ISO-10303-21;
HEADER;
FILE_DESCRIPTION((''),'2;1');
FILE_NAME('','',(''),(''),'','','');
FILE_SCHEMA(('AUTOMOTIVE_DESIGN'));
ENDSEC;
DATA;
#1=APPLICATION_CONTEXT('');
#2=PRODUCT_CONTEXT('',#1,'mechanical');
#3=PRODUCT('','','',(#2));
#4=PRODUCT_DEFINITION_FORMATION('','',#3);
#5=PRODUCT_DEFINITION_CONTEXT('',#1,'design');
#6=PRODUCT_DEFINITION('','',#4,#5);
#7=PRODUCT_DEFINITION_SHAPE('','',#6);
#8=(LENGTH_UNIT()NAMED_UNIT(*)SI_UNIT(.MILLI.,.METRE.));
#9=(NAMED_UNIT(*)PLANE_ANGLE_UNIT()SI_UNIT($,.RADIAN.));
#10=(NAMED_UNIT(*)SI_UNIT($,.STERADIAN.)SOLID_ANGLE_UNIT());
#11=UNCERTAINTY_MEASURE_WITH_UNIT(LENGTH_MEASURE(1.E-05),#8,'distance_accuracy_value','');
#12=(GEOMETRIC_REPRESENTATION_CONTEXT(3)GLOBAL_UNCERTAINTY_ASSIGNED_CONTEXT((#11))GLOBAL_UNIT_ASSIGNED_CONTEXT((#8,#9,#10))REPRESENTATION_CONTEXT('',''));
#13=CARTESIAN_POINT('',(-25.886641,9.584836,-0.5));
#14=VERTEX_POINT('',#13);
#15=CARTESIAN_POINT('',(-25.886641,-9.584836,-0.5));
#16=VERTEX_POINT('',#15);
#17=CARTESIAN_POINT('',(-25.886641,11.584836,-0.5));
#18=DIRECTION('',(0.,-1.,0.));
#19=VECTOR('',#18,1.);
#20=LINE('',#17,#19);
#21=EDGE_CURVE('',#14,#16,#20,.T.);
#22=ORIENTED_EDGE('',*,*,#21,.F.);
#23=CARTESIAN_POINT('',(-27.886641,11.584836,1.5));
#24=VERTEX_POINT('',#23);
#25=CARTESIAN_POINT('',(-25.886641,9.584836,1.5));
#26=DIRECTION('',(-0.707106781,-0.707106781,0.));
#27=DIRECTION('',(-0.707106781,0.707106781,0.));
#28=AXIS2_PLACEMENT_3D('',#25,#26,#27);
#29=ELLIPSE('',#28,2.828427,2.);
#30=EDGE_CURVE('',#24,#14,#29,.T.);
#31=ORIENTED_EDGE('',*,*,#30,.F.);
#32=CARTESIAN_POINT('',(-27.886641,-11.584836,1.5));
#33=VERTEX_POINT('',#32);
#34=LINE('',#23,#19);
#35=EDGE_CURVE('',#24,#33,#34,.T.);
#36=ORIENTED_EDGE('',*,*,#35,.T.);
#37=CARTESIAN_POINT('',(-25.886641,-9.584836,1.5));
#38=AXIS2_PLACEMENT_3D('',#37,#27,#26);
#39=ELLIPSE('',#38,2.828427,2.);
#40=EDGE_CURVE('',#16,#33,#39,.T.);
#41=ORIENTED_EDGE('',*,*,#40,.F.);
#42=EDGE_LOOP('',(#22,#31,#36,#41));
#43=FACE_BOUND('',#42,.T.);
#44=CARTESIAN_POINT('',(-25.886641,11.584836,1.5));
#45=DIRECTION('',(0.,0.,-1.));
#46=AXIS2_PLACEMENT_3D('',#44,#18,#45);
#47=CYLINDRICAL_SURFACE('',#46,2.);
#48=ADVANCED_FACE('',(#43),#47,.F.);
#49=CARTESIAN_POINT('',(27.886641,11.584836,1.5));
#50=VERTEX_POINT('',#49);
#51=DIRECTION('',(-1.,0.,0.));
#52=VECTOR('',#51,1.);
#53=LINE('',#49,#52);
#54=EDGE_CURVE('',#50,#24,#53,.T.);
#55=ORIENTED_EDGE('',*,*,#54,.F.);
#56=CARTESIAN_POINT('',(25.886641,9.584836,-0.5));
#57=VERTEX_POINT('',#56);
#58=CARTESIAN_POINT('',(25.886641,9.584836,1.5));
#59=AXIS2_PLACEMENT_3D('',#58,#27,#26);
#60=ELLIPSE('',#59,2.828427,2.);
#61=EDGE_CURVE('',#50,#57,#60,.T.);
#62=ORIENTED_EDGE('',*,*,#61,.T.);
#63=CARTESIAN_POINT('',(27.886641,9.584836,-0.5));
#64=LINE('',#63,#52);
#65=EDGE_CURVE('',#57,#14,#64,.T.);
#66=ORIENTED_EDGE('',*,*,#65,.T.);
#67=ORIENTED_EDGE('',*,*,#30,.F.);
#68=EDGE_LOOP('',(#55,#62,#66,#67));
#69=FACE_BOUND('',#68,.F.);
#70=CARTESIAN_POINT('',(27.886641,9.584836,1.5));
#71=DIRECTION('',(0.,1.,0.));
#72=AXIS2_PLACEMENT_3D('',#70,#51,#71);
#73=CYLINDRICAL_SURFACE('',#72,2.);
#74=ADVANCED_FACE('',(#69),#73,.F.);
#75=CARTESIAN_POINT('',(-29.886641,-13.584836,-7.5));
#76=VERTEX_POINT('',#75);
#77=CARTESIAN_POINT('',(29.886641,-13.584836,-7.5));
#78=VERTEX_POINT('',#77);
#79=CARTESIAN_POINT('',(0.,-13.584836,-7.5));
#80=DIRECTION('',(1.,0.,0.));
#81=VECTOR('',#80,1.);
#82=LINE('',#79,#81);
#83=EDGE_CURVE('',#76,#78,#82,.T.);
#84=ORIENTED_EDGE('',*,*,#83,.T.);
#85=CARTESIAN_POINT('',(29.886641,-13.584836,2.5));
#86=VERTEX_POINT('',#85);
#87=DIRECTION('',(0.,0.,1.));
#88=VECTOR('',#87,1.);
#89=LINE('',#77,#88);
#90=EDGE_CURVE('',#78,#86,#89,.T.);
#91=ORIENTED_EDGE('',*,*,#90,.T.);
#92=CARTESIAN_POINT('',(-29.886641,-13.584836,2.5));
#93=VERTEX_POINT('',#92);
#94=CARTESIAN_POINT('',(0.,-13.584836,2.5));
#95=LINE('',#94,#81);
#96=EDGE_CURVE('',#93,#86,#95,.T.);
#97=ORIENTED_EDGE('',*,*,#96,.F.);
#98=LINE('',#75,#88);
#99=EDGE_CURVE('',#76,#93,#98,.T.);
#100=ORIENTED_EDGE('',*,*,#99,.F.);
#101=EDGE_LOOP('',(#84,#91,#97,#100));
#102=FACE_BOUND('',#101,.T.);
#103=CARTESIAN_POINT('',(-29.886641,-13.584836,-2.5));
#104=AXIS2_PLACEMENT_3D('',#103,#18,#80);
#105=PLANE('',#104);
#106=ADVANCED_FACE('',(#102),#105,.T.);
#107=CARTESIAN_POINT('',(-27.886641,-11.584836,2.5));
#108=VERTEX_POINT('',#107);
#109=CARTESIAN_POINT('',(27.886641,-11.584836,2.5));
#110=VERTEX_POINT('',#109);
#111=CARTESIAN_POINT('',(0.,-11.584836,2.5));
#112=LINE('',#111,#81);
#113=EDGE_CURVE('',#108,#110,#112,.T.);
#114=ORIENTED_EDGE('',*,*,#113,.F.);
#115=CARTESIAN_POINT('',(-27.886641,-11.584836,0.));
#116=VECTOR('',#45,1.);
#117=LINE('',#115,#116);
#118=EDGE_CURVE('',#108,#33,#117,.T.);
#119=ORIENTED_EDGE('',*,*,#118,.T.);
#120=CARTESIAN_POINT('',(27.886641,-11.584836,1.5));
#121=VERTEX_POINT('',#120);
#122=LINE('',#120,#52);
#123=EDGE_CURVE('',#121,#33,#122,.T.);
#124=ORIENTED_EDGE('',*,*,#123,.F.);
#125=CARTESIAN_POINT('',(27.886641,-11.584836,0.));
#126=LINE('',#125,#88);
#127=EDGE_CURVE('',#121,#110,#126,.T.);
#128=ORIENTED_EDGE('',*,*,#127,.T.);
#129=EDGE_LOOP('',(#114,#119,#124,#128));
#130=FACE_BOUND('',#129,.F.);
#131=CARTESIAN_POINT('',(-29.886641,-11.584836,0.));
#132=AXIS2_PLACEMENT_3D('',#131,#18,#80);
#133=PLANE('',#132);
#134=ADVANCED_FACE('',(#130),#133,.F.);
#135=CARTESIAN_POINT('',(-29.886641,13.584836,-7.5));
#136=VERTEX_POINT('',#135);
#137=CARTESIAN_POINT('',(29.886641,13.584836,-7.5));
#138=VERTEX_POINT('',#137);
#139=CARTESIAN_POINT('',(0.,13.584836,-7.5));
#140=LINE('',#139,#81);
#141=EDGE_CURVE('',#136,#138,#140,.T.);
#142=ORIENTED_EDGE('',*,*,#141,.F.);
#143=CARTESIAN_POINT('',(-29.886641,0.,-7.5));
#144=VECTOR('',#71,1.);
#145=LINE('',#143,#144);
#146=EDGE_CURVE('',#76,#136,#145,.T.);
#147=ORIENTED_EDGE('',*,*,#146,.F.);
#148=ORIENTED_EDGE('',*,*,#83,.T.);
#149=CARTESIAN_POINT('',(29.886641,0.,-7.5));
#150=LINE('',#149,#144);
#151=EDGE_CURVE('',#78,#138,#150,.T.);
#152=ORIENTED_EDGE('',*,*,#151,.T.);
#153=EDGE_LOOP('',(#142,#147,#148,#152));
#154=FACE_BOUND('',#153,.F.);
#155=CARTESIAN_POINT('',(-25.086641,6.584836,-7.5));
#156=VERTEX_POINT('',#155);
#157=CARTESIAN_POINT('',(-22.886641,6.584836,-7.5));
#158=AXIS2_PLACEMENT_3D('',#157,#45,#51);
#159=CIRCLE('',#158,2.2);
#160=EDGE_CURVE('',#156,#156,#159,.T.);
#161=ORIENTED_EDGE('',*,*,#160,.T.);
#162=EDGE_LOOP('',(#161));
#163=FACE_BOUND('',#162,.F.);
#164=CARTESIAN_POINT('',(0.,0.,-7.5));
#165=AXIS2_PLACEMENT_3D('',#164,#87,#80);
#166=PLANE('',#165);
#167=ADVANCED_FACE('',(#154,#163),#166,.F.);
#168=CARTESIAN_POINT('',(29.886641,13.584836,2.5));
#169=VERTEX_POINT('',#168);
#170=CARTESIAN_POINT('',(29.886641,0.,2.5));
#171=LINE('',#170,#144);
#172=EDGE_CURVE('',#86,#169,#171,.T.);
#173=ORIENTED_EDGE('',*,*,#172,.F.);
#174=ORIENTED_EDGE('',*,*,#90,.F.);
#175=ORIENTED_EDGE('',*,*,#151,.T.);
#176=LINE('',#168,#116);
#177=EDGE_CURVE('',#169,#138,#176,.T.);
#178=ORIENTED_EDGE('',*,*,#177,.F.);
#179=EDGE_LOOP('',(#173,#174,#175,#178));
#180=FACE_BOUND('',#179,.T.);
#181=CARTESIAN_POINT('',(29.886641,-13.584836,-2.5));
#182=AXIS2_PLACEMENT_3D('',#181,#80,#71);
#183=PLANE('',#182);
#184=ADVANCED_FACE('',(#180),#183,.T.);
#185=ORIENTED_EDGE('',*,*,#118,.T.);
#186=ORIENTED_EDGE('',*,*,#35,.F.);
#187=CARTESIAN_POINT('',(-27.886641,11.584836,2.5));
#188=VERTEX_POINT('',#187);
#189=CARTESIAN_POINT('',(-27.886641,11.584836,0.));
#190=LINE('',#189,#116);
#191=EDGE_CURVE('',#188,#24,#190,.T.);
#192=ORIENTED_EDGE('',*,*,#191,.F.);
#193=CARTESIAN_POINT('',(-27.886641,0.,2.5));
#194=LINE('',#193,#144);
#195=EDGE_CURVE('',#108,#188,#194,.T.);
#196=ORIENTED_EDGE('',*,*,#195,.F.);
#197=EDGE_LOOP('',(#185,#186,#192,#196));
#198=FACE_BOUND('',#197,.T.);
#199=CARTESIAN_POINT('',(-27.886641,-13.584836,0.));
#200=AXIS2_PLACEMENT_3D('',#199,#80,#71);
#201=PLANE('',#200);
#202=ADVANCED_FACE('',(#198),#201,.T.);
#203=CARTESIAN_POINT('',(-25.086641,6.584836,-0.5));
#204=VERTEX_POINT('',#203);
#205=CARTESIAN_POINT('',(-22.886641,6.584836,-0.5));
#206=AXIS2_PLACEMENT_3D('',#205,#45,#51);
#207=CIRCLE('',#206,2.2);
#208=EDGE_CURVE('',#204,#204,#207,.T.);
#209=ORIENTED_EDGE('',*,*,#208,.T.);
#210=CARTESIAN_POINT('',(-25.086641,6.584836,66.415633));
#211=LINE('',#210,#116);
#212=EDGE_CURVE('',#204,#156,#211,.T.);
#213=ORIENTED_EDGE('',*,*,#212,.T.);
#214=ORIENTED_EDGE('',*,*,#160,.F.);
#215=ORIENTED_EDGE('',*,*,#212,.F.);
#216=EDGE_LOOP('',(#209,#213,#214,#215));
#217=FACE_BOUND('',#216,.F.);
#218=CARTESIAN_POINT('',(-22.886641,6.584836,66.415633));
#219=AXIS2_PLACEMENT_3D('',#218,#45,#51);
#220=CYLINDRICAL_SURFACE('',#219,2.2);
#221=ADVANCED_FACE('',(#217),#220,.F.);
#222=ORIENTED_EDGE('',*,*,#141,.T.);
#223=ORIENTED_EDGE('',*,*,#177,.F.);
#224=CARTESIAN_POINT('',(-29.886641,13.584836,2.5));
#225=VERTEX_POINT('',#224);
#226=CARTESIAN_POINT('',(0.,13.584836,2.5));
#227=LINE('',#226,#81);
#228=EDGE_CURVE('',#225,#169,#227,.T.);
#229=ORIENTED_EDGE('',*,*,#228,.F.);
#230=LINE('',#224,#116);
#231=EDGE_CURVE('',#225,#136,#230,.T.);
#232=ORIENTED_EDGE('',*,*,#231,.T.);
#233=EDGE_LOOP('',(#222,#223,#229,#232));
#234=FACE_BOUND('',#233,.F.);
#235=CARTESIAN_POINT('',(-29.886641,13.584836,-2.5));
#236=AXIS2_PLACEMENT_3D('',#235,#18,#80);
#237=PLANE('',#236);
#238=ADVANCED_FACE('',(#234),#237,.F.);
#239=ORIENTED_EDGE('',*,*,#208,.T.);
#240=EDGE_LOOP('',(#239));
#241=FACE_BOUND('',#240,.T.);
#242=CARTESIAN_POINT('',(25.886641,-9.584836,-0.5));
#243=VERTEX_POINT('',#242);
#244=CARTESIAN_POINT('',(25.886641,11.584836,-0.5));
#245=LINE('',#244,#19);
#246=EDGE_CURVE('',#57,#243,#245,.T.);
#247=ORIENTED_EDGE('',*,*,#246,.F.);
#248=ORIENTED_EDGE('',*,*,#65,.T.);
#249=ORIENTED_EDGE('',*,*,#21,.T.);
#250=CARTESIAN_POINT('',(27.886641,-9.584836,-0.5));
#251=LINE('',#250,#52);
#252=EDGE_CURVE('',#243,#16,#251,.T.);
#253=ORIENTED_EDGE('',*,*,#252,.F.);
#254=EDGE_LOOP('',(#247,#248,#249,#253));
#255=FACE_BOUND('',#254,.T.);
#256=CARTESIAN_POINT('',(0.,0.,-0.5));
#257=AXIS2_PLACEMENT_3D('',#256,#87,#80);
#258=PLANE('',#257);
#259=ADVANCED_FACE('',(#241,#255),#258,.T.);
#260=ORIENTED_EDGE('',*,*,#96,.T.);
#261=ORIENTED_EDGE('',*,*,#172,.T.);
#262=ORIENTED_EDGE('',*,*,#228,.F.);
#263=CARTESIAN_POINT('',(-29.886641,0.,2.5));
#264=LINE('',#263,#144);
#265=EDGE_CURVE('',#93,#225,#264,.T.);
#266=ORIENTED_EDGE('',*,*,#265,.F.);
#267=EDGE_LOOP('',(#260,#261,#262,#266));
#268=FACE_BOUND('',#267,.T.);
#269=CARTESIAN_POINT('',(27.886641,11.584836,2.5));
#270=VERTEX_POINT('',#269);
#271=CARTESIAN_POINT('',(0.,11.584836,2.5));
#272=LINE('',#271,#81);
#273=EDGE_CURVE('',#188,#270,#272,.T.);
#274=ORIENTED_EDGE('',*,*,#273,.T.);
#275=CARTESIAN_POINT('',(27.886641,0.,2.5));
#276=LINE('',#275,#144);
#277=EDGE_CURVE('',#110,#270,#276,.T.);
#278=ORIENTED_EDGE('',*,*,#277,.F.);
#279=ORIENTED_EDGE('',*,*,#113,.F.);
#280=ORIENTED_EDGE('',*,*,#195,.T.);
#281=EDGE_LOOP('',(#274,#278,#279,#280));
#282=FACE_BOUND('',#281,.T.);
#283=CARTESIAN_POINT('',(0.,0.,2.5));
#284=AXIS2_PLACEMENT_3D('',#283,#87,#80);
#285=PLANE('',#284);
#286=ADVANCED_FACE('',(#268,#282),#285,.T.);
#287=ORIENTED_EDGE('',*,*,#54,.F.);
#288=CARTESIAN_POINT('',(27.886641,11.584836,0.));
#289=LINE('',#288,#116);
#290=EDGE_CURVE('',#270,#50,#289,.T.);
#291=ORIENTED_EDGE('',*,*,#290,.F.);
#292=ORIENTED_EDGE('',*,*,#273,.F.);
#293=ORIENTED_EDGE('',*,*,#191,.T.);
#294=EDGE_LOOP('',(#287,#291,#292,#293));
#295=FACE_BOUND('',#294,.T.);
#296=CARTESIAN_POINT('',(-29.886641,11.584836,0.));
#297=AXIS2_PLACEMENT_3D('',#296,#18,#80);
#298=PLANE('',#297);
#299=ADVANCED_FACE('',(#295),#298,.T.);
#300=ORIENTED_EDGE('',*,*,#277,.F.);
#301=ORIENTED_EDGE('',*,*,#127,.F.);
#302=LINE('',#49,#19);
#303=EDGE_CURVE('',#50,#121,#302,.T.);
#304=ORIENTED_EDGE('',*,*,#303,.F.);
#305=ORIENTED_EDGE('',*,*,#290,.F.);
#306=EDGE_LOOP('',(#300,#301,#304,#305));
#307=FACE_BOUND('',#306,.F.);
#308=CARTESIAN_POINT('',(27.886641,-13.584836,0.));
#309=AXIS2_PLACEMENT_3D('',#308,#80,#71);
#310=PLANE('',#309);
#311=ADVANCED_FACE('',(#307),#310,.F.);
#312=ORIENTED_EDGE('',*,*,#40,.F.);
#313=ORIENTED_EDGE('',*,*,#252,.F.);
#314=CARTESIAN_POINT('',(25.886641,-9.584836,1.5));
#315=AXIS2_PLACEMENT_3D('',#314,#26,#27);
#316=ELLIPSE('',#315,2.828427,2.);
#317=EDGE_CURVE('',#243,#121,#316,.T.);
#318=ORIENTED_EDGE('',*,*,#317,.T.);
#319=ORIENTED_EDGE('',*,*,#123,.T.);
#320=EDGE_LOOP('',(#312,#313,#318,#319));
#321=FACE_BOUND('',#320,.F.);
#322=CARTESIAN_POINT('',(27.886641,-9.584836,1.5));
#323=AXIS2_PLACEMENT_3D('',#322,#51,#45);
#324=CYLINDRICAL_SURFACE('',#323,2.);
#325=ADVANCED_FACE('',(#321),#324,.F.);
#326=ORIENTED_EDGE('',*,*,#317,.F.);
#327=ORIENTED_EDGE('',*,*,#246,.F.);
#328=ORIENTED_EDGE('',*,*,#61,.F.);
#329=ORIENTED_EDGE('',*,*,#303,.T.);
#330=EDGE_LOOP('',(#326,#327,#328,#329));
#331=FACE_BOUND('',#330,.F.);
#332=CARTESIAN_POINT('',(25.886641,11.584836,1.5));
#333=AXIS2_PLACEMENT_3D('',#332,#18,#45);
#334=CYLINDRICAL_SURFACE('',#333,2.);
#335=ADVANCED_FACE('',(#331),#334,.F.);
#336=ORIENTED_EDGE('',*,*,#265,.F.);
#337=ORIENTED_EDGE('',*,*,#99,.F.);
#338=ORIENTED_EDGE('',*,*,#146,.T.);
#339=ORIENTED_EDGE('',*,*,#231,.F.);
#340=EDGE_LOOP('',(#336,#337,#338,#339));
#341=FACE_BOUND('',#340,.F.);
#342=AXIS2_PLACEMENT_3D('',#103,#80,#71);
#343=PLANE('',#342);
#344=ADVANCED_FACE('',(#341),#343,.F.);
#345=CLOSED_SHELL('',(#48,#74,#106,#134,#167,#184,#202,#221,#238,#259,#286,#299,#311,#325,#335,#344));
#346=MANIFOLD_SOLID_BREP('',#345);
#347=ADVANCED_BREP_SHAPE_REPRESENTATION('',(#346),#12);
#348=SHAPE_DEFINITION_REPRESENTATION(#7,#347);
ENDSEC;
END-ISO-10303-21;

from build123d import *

# Parameters (mm, degrees)
F0_W     = 59.7732812166
F0_H     = 27.1696727723
F1_DEPTH = 2.5
F2_T     = -2
F3_DEPTH = 5
F4_R     = 2
F6_D     = 4.4


with BuildPart() as f1:
    # F0 (on Top) → F1 (new body, symmetric)
    with BuildSketch(Plane.XY):
        Rectangle(F0_W, F0_H)
    extrude(amount=F1_DEPTH, both=True)

    # F2
    f2_openings = [f1.faces().sort_by_distance(p)[0] for p in [
        (0, 0, 2.5),
    ]]
    offset(amount=F2_T, openings=f2_openings)

    # F3 (add): a face of the model
    f3_faces = [f1.faces().sort_by_distance(p)[0] for p in [
        (0, 0, -2.5),
    ]]
    extrude(f3_faces, amount=F3_DEPTH)

    # F4
    f4_edges = [f1.edges().sort_by_distance(p)[0] for p in [
        (0, 11.584836, -0.5),
        (0, -11.584836, -0.5),
        (27.886641, 0, -0.5),
        (-27.886641, 0, -0.5),
    ]]
    fillet(f4_edges, radius=F4_R)

    # F6 (through all)
    with Locations(Plane.XY):
        with Locations((-22.8866406083, 6.5848363861)):
            Hole(F6_D / 2)


solid = f1.part
